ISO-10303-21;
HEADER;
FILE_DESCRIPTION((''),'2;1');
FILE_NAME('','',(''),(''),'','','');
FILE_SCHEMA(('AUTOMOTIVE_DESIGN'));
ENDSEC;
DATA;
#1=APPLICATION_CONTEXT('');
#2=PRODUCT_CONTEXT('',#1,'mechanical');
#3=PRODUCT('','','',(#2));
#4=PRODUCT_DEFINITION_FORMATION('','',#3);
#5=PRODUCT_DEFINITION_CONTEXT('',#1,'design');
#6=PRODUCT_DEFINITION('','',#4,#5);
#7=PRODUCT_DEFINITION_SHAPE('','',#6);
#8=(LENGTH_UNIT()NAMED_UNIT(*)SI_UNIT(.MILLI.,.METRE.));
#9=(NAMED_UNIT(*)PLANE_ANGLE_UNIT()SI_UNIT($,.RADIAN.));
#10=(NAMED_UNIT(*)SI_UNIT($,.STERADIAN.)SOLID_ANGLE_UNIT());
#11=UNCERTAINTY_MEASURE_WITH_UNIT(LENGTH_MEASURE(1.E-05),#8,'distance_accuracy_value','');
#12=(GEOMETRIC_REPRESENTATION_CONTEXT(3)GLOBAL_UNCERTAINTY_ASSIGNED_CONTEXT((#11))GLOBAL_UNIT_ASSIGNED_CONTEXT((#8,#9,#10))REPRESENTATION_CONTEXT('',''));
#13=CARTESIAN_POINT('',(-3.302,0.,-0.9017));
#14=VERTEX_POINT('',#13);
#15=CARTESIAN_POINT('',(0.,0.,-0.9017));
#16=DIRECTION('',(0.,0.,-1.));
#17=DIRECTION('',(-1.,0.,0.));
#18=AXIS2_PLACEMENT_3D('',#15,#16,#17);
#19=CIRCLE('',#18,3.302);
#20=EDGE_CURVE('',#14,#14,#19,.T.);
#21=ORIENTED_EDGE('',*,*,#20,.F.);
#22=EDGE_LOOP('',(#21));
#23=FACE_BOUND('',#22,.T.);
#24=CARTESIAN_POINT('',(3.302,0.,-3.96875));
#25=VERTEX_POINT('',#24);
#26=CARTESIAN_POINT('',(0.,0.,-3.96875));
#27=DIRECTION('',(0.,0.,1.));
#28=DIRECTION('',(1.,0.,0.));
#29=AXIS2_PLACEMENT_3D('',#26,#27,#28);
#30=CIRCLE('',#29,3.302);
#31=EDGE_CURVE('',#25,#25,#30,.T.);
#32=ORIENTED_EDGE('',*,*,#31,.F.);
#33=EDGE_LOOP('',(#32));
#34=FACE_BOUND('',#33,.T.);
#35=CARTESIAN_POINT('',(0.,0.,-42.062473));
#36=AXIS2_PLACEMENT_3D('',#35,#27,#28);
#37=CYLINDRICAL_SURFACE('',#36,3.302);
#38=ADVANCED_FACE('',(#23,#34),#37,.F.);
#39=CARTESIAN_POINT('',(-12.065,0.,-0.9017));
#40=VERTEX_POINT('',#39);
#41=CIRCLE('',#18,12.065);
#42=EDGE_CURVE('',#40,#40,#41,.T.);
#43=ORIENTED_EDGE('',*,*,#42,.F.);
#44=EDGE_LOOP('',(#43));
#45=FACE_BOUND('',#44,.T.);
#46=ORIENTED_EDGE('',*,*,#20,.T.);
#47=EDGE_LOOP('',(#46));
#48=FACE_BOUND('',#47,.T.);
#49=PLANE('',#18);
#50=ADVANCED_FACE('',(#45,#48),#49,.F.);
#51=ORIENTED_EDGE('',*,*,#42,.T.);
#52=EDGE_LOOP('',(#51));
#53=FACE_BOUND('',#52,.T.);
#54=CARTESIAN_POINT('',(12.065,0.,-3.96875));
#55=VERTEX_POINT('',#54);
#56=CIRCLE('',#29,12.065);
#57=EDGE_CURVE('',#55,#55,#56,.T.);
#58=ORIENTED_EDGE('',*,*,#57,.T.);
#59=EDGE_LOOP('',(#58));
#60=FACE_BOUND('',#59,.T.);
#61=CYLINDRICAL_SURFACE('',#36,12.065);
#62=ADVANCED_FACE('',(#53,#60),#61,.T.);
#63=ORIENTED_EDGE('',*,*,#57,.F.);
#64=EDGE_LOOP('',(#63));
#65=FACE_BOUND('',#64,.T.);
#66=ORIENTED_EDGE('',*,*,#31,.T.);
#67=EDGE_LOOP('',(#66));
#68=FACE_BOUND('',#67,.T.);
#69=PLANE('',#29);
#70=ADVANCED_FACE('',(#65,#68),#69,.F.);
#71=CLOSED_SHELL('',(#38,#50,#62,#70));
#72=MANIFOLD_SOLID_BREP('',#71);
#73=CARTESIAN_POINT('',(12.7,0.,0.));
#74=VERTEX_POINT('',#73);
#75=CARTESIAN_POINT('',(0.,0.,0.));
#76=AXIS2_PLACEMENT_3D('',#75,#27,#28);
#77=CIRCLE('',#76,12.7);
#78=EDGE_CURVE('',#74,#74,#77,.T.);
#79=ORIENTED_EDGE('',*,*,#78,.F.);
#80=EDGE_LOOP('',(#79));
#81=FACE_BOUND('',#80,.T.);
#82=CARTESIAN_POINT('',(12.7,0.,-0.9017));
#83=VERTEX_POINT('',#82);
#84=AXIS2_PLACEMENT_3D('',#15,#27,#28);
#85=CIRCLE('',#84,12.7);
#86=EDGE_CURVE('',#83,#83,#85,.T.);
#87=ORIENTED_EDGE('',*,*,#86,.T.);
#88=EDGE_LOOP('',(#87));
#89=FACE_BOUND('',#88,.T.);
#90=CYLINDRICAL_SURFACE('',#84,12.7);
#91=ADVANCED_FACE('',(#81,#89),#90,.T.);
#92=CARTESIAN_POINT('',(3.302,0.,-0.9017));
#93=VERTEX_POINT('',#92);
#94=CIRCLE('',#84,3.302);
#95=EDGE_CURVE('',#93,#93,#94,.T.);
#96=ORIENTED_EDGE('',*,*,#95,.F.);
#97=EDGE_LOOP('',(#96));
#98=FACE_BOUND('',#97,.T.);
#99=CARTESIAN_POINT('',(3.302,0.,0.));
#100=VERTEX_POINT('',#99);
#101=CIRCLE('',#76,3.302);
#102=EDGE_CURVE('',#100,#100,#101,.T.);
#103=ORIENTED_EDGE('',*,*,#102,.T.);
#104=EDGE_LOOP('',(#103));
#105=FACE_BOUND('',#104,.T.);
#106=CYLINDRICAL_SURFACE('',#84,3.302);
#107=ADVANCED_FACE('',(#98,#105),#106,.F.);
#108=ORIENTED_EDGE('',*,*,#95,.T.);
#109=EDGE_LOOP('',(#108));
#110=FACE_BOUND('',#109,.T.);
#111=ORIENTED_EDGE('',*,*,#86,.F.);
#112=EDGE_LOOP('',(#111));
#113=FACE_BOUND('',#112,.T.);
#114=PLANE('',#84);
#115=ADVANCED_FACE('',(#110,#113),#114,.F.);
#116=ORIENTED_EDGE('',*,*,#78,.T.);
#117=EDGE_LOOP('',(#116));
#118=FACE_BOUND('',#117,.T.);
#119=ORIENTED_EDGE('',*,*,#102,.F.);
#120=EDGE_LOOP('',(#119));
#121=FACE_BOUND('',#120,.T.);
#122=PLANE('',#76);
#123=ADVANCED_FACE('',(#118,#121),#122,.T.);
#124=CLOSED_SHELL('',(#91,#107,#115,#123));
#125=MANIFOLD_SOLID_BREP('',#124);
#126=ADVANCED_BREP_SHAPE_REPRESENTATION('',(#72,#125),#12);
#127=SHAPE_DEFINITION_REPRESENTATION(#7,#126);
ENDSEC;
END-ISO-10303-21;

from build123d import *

# Parameters (mm, degrees)
SKETCH1_R      = 12.7
SKETCH1_R_2    = 3.302
EXTRUDE1_DEPTH = 0.9017
SKETCH2_R      = 12.065
SKETCH2_R_2    = 3.302
EXTRUDE2_DEPTH = 3.06705


with BuildPart() as part:
    # Sketch1 → Extrude1 (new body)
    with BuildSketch(Plane.XY):
        Circle(SKETCH1_R)
        Circle(SKETCH1_R_2, mode=Mode.SUBTRACT)
    extrude(amount=-EXTRUDE1_DEPTH)


with BuildPart() as body_2:
    # Sketch2 → Extrude2 (new body)
    with BuildSketch(Plane(origin=(0, 0, -0.9017), x_dir=(-1, 0, 0), z_dir=(0, 0, -1))):
        Circle(SKETCH2_R)
        Circle(SKETCH2_R_2, mode=Mode.SUBTRACT)
    extrude(amount=EXTRUDE2_DEPTH)


solid = Compound([part.part, body_2.part])
